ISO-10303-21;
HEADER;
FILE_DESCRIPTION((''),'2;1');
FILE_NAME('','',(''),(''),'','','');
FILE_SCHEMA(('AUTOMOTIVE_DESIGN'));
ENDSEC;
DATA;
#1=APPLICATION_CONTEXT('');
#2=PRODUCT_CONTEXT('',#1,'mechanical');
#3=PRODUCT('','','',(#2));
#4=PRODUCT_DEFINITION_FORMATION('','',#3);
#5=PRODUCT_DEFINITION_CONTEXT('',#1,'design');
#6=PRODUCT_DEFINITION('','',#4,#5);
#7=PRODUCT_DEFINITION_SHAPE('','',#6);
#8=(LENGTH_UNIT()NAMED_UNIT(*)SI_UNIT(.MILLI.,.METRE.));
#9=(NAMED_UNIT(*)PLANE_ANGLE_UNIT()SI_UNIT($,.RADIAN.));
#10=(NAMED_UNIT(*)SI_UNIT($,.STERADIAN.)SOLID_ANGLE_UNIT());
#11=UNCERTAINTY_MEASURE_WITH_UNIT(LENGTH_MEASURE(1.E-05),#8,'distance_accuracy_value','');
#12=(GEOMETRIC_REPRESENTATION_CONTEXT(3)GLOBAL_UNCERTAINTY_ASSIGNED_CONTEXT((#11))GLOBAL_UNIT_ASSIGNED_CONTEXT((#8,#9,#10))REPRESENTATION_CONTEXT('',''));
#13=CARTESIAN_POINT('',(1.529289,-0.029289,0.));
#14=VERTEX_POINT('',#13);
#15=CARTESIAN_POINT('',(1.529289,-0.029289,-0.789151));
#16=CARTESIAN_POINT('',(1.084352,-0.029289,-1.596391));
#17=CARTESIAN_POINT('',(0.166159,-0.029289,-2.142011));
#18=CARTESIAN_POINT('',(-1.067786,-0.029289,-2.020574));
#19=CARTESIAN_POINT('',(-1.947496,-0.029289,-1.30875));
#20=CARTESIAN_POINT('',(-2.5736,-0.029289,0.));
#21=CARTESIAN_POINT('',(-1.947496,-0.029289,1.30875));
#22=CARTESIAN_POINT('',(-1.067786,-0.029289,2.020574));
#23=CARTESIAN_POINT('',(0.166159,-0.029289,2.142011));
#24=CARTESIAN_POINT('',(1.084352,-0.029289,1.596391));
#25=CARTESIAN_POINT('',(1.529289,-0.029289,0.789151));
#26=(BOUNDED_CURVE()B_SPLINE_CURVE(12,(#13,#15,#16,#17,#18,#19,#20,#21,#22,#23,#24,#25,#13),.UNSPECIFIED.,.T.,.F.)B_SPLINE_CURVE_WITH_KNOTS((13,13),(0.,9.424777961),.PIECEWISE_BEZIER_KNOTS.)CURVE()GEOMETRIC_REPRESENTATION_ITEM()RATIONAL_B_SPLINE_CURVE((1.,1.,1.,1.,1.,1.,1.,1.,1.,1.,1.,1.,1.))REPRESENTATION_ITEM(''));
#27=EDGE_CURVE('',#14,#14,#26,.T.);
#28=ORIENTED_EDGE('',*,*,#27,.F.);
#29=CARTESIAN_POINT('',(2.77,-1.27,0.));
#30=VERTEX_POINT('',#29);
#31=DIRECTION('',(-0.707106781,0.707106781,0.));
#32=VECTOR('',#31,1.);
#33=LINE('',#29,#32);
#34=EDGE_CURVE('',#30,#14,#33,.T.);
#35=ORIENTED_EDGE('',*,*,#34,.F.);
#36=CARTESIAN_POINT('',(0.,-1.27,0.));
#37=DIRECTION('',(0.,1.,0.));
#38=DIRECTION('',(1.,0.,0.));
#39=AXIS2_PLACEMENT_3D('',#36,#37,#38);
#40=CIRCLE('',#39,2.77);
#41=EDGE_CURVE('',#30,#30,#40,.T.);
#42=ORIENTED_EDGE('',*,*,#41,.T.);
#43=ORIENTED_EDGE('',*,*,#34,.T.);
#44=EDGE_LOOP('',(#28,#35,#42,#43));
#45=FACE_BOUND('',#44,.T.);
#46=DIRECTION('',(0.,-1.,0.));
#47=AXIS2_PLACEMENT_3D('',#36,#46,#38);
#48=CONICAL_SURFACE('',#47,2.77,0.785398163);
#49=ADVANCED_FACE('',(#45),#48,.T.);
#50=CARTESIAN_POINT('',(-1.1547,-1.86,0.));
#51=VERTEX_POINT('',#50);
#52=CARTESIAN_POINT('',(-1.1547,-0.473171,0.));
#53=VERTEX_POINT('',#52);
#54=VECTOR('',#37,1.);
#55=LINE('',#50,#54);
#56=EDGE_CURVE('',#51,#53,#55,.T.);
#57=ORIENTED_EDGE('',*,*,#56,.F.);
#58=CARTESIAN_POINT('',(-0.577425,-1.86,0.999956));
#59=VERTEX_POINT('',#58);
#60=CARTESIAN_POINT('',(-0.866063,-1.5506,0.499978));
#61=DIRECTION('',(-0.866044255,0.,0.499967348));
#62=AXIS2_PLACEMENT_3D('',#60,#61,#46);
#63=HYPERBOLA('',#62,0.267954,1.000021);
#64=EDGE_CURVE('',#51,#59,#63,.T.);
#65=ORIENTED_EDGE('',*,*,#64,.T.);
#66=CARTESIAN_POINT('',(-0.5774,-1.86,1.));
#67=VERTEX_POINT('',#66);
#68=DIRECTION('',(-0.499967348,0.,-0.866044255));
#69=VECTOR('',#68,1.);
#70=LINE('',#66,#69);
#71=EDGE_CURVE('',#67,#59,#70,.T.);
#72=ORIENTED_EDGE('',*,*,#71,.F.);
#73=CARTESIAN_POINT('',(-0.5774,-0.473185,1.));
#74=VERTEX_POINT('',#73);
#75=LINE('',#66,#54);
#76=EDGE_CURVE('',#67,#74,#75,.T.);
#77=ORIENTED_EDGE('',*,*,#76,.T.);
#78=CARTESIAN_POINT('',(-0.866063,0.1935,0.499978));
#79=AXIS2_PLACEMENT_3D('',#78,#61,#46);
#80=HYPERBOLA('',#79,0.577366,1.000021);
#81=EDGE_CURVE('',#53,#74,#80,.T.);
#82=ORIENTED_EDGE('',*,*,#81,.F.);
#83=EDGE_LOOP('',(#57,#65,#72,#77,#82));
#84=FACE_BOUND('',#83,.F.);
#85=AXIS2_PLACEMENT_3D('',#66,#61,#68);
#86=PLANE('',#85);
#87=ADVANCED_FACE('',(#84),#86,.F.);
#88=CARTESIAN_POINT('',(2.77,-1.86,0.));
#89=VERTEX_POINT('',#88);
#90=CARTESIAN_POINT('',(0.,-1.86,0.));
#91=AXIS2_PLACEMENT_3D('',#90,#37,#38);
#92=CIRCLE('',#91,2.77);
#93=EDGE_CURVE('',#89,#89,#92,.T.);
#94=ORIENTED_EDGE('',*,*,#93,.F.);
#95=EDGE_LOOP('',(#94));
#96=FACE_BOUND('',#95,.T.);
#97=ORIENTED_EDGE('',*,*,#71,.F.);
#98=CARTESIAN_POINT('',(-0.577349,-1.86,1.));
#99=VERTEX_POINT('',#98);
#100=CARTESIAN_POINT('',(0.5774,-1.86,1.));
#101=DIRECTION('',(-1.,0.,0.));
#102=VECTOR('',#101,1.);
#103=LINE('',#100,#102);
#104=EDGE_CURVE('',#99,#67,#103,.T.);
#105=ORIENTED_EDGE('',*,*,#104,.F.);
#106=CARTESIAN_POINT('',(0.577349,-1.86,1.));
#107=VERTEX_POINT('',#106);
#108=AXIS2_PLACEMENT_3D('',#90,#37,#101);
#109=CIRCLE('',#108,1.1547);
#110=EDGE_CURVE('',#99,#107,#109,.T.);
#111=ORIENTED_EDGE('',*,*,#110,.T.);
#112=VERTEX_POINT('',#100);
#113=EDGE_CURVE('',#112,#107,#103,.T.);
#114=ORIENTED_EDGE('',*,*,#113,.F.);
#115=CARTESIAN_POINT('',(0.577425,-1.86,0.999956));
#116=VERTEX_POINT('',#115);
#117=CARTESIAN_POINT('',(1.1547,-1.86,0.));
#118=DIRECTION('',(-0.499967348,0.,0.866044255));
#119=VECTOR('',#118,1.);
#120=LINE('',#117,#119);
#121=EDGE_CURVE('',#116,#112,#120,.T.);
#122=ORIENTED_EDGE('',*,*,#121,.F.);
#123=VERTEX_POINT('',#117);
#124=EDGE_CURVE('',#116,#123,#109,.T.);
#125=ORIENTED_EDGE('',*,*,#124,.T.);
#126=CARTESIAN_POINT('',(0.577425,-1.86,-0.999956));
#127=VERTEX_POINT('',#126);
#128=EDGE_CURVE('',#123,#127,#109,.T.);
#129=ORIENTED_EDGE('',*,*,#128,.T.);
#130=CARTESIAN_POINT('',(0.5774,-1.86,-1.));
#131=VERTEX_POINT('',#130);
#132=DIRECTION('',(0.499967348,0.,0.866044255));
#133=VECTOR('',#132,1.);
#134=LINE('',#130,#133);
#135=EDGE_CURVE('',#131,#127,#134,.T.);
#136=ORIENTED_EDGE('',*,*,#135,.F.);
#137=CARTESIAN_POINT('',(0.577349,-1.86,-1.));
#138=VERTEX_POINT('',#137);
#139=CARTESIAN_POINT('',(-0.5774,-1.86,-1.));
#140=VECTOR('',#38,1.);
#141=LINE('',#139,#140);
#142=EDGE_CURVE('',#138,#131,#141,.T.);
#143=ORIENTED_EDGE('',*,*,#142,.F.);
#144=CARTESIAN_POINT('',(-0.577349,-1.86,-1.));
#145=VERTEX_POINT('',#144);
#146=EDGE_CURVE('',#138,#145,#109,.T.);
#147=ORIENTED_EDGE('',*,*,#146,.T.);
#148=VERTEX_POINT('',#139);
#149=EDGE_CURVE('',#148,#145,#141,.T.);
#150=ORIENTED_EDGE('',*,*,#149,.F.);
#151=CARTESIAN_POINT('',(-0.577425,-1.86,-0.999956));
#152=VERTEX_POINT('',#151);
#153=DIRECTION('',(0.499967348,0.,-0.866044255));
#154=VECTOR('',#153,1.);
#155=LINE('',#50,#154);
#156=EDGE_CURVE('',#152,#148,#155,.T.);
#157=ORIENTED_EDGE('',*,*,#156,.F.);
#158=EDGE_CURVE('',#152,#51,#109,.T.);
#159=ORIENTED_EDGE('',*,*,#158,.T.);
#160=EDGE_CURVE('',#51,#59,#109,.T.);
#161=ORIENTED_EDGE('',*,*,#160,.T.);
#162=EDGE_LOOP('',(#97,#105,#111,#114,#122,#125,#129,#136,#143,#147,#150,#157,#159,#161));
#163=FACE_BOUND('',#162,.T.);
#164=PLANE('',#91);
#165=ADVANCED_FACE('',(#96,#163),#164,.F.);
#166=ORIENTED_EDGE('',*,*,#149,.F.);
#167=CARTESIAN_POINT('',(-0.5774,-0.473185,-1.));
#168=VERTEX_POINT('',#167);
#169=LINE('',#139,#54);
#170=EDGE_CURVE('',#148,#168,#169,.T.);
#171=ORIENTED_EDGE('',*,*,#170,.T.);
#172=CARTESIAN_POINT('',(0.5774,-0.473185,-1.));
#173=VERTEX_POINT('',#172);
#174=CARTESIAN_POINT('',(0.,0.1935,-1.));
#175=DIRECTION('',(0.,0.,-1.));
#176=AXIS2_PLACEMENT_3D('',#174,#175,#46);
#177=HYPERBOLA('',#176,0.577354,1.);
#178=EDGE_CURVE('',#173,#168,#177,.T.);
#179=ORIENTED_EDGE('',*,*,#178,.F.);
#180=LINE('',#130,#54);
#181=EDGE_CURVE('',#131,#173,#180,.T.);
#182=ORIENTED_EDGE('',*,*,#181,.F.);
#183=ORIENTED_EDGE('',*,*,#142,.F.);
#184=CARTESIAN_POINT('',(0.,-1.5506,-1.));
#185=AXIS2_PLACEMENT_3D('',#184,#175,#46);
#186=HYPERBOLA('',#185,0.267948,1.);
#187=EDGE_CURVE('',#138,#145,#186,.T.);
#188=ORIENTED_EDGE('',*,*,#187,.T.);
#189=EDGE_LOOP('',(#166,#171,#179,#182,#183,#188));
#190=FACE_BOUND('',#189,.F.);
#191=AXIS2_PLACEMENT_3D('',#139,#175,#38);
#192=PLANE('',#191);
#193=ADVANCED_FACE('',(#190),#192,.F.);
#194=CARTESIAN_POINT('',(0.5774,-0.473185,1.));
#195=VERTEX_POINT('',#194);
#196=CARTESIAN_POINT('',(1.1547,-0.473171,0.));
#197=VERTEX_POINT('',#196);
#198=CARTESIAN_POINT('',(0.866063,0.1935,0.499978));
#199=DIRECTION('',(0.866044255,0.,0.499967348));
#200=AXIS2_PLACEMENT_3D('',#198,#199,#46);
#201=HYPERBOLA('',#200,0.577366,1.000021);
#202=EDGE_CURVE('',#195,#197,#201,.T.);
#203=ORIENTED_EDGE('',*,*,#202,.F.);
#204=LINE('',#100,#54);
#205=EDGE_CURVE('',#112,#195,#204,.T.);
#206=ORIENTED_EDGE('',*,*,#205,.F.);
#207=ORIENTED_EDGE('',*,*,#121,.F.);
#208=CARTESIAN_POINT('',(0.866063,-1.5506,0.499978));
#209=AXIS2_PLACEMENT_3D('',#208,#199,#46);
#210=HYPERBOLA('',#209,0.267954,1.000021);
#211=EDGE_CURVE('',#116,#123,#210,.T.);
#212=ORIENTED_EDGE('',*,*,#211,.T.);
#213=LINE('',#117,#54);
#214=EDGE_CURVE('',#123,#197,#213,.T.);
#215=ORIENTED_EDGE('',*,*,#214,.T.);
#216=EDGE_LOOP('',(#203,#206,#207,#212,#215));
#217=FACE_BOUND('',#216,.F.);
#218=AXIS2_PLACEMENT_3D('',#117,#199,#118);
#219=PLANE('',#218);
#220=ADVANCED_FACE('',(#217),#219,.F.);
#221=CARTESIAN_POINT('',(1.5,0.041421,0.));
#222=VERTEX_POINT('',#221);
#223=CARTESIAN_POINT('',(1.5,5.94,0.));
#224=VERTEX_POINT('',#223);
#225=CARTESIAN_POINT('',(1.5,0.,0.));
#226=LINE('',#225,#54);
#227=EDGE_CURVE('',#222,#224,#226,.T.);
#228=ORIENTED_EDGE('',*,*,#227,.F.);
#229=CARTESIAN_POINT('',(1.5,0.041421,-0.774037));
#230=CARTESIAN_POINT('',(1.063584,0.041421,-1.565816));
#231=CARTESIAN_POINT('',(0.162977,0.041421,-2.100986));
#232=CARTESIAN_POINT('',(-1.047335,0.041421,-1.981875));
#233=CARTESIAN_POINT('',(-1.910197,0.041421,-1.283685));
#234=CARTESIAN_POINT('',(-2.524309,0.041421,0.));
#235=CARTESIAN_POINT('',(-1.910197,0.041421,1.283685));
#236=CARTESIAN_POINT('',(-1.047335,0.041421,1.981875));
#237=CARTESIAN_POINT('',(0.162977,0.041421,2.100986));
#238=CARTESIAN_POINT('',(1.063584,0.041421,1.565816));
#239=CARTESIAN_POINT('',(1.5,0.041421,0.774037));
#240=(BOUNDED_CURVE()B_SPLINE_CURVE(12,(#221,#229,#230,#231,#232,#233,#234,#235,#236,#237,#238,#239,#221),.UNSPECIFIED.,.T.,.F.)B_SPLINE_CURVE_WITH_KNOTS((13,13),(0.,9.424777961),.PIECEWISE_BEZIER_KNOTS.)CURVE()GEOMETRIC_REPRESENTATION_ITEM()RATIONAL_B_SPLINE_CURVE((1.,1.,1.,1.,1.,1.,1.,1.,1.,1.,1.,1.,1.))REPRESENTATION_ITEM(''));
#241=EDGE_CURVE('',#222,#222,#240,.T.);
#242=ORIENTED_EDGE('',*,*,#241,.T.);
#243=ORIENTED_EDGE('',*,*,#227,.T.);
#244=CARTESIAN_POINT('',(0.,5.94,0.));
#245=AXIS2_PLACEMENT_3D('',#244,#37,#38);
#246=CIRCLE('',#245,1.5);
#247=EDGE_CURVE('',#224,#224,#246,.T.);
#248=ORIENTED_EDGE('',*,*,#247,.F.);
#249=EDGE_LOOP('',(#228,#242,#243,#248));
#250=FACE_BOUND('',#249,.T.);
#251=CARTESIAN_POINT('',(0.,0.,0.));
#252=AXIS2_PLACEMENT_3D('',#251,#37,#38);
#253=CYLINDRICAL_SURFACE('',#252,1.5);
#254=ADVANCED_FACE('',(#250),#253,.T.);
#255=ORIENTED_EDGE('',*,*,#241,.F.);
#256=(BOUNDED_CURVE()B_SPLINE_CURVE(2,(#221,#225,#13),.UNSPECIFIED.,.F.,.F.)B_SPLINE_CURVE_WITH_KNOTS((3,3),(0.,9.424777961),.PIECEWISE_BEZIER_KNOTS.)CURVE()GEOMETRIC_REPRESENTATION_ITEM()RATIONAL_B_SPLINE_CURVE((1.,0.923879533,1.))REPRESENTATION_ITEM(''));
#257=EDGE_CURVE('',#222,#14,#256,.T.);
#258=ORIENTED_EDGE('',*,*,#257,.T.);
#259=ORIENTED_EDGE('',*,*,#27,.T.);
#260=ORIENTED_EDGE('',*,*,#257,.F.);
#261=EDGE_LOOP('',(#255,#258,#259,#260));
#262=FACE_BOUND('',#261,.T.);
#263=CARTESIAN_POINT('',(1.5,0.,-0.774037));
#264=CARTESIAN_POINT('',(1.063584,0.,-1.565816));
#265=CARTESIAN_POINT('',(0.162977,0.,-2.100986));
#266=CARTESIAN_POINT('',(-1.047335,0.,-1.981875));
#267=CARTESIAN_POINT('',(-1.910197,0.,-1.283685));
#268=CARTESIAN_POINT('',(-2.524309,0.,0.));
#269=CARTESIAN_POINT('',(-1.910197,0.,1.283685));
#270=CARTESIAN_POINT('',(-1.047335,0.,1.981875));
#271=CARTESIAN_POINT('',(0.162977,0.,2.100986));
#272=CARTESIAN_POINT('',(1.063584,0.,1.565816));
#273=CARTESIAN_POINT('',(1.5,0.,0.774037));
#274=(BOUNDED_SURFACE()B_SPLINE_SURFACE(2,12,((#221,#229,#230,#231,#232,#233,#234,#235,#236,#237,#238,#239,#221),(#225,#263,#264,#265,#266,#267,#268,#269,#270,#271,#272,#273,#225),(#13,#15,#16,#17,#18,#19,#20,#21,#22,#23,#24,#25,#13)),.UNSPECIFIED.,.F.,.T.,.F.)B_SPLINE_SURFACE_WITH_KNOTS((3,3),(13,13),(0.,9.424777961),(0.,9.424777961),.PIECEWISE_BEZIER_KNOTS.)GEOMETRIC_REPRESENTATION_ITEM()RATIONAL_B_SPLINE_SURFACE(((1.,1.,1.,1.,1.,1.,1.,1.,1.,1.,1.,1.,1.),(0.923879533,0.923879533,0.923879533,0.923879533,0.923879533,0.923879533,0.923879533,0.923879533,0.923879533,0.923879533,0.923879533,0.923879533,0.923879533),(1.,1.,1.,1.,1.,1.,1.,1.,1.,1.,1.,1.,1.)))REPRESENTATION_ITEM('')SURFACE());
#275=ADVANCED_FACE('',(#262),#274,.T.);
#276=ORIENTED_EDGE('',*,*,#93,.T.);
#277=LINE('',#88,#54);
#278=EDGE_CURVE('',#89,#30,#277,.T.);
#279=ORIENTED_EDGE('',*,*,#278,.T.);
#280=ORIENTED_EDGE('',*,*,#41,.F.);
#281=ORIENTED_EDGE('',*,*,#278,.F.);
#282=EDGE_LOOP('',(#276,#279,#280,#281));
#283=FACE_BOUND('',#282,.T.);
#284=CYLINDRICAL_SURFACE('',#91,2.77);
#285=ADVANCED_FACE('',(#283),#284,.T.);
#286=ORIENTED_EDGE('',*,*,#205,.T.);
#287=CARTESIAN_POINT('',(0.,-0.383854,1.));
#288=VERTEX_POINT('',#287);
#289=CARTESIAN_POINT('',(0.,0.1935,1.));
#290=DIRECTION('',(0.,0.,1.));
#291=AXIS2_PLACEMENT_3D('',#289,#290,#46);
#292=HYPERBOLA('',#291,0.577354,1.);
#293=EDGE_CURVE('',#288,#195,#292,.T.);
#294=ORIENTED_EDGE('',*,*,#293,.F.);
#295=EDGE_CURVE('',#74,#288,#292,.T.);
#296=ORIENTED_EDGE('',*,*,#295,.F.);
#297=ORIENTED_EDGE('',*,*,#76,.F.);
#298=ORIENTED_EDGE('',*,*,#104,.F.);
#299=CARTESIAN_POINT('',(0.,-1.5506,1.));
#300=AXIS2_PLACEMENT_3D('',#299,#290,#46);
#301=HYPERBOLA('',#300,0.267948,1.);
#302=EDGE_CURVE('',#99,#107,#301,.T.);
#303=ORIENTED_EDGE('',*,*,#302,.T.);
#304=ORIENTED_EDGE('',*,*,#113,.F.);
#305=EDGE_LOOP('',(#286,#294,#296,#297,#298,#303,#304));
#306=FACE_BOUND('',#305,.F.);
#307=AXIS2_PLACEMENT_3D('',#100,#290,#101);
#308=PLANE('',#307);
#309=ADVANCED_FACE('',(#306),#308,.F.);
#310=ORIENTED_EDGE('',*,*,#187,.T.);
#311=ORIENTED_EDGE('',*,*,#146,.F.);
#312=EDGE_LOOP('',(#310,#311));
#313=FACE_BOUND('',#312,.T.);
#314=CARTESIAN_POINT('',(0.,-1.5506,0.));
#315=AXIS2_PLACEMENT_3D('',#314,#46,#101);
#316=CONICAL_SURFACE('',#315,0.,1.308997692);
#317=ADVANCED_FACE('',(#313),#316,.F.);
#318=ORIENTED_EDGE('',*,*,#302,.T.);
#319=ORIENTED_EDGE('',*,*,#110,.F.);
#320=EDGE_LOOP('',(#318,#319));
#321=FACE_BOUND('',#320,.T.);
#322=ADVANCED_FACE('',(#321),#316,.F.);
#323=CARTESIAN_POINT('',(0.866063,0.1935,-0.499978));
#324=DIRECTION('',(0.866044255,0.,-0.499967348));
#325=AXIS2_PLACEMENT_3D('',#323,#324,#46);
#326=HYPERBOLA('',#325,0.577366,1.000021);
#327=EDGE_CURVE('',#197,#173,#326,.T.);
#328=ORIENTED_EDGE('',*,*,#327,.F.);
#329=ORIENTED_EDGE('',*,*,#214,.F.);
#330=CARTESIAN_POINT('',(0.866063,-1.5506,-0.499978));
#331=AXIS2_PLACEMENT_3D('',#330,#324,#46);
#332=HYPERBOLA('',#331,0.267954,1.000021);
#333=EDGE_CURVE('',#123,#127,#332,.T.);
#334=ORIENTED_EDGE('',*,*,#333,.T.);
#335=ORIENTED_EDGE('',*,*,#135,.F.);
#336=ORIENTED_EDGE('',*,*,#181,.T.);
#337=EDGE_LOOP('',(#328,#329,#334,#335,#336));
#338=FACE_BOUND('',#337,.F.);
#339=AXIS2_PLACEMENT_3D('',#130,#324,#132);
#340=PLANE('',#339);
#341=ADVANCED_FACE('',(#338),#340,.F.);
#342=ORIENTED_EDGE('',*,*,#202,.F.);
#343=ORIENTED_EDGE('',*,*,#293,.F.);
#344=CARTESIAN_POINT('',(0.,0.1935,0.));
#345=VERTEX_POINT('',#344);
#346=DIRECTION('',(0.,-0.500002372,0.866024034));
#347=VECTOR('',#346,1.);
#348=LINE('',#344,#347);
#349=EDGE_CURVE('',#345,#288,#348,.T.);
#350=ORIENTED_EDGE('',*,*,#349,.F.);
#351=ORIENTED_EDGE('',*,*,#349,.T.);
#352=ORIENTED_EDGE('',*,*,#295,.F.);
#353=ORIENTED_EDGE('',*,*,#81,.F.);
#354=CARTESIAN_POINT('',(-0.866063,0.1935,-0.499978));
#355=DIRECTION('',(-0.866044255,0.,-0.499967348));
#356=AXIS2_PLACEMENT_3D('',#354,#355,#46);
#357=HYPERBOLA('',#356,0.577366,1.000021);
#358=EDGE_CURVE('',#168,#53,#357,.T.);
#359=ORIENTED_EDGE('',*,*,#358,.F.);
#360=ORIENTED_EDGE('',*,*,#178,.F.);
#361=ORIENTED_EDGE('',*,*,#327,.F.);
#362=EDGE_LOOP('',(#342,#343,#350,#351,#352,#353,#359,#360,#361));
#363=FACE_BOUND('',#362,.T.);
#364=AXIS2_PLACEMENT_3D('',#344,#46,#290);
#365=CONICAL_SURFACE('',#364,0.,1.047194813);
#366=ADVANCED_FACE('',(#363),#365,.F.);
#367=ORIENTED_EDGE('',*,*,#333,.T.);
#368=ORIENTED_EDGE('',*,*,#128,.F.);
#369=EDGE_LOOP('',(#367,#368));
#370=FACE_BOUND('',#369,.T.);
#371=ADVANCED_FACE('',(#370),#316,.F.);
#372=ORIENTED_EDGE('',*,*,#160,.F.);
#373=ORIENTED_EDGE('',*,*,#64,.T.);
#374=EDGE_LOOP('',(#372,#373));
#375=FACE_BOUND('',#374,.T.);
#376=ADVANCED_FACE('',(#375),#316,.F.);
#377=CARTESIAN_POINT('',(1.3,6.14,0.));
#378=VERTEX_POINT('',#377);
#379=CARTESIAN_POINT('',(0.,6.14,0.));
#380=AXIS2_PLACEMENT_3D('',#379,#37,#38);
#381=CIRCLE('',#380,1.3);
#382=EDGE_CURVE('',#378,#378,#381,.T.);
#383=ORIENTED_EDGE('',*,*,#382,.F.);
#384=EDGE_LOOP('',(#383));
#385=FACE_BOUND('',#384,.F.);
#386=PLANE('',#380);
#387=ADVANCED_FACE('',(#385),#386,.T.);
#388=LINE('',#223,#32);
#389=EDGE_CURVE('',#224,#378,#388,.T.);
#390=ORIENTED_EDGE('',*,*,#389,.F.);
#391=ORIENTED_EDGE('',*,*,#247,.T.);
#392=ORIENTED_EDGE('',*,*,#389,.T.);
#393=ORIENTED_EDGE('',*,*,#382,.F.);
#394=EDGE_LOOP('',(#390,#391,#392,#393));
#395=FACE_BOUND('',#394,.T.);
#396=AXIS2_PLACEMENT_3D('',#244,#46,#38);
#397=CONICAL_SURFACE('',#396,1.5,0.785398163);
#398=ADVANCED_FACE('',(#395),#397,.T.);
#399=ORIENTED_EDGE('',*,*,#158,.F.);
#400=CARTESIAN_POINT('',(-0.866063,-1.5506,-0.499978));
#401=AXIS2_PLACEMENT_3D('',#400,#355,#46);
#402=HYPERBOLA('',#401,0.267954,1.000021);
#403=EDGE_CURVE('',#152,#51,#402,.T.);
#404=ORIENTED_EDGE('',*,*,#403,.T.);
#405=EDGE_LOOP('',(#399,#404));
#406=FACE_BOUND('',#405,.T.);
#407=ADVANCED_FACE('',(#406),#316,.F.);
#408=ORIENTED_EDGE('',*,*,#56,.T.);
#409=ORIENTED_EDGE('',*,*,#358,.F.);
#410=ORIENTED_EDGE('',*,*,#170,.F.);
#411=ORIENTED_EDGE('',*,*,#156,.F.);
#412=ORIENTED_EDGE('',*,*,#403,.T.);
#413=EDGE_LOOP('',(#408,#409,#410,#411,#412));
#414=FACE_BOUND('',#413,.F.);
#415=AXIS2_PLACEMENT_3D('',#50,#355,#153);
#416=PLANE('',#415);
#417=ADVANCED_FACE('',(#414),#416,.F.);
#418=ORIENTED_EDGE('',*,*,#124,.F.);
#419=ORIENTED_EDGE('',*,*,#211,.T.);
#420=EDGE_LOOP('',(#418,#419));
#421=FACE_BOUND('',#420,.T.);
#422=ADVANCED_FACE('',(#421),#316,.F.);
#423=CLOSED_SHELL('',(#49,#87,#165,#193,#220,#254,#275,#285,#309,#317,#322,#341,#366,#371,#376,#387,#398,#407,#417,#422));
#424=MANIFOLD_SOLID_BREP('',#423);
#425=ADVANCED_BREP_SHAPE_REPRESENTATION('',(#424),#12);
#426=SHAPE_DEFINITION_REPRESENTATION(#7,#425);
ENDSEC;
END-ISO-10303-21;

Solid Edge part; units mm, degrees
sketch "Sketch1" plane through (0, 0, 0) normal (0, 0, 1) x (1, 0, 0)
  line L0 (1.5, 0) -> (1.5, 6.14)
  line L1 (0, 6.14) -> (1.5, 6.14)
  line L2 (0, 0) -> (0, 6.14)
  line L3 (0, 0) -> (0, -1.86)
  line L4 (0, -1.86) -> (2.77, -1.86)
  line L5 (2.77, -1.86) -> (2.77, -1.27)
  line L6 (2.77, -1.27) -> (1.5, 0)
revolve "RevolvedProtrusion1" add sketch "Sketch1" angle 360 about axis through (0, 0, 0) along (0, 1, 0)
sketch "Sketch2" plane through (0, 0, 0) normal (1, 0, 0) x (0, 1, 0)
  line L0 (-1.86, 1.6515) -> (-0.76, 1.6515)
  line L1 (0.1935, 0) -> (-0.76, 1.6515)
  line L2 (-1.86, 0) -> (0.1935, 0)
  line L3 (-1.86, 0) -> (-1.86, 1.6515)
revolve "RevolvedCutout1" cut sketch "Sketch2" angle 360 about axis through (0, -4.5, 0) along (0, 1, 0)
sketch "Sketch3" plane through (0, -1.86, 0) normal (0, -1, 0) x (0, 0, 1)
  circle A0 centre (0, 0) radius 1.6515
  line L0 (-1, -0.5774) -> (0, -1.1547)
  line L1 (0, -1.1547) -> (1, -0.5774)
  line L2 (1, -0.5774) -> (1, 0.5774)
  line L3 (1, 0.5774) -> (0, 1.1547)
  line L4 (0, 1.1547) -> (-1, 0.5774)
  line L5 (-1, 0.5774) -> (-1, -0.5774)
  dimension "D1" = 2
extrude "Protrusion1" add sketch "Sketch3" against normal up to next
sketch "Sketch4" plane through (0, 0, 0) normal (0, 0, 1) x (1, 0, 0)
  line L0 (-1.1547, -1.86) -> (0, -1.86)
  line L1 (0, -1.86) -> (0, -1.5506)
  line L2 (0, -1.5506) -> (-1.1547, -1.86)
revolve "RevolvedCutout2" cut sketch "Sketch4" angle 360 about axis through (0, -4.5, 0) along (0, 1, 0)
fillet "Round1" radius 0.1 1 edges at (0, 0, -1.5)
chamfer "倒斜角_2" distance 0.2 angle 45 1 edges at (0, 6.14, -1.5)
cosmetic_thread "Thread1" size "M3"
